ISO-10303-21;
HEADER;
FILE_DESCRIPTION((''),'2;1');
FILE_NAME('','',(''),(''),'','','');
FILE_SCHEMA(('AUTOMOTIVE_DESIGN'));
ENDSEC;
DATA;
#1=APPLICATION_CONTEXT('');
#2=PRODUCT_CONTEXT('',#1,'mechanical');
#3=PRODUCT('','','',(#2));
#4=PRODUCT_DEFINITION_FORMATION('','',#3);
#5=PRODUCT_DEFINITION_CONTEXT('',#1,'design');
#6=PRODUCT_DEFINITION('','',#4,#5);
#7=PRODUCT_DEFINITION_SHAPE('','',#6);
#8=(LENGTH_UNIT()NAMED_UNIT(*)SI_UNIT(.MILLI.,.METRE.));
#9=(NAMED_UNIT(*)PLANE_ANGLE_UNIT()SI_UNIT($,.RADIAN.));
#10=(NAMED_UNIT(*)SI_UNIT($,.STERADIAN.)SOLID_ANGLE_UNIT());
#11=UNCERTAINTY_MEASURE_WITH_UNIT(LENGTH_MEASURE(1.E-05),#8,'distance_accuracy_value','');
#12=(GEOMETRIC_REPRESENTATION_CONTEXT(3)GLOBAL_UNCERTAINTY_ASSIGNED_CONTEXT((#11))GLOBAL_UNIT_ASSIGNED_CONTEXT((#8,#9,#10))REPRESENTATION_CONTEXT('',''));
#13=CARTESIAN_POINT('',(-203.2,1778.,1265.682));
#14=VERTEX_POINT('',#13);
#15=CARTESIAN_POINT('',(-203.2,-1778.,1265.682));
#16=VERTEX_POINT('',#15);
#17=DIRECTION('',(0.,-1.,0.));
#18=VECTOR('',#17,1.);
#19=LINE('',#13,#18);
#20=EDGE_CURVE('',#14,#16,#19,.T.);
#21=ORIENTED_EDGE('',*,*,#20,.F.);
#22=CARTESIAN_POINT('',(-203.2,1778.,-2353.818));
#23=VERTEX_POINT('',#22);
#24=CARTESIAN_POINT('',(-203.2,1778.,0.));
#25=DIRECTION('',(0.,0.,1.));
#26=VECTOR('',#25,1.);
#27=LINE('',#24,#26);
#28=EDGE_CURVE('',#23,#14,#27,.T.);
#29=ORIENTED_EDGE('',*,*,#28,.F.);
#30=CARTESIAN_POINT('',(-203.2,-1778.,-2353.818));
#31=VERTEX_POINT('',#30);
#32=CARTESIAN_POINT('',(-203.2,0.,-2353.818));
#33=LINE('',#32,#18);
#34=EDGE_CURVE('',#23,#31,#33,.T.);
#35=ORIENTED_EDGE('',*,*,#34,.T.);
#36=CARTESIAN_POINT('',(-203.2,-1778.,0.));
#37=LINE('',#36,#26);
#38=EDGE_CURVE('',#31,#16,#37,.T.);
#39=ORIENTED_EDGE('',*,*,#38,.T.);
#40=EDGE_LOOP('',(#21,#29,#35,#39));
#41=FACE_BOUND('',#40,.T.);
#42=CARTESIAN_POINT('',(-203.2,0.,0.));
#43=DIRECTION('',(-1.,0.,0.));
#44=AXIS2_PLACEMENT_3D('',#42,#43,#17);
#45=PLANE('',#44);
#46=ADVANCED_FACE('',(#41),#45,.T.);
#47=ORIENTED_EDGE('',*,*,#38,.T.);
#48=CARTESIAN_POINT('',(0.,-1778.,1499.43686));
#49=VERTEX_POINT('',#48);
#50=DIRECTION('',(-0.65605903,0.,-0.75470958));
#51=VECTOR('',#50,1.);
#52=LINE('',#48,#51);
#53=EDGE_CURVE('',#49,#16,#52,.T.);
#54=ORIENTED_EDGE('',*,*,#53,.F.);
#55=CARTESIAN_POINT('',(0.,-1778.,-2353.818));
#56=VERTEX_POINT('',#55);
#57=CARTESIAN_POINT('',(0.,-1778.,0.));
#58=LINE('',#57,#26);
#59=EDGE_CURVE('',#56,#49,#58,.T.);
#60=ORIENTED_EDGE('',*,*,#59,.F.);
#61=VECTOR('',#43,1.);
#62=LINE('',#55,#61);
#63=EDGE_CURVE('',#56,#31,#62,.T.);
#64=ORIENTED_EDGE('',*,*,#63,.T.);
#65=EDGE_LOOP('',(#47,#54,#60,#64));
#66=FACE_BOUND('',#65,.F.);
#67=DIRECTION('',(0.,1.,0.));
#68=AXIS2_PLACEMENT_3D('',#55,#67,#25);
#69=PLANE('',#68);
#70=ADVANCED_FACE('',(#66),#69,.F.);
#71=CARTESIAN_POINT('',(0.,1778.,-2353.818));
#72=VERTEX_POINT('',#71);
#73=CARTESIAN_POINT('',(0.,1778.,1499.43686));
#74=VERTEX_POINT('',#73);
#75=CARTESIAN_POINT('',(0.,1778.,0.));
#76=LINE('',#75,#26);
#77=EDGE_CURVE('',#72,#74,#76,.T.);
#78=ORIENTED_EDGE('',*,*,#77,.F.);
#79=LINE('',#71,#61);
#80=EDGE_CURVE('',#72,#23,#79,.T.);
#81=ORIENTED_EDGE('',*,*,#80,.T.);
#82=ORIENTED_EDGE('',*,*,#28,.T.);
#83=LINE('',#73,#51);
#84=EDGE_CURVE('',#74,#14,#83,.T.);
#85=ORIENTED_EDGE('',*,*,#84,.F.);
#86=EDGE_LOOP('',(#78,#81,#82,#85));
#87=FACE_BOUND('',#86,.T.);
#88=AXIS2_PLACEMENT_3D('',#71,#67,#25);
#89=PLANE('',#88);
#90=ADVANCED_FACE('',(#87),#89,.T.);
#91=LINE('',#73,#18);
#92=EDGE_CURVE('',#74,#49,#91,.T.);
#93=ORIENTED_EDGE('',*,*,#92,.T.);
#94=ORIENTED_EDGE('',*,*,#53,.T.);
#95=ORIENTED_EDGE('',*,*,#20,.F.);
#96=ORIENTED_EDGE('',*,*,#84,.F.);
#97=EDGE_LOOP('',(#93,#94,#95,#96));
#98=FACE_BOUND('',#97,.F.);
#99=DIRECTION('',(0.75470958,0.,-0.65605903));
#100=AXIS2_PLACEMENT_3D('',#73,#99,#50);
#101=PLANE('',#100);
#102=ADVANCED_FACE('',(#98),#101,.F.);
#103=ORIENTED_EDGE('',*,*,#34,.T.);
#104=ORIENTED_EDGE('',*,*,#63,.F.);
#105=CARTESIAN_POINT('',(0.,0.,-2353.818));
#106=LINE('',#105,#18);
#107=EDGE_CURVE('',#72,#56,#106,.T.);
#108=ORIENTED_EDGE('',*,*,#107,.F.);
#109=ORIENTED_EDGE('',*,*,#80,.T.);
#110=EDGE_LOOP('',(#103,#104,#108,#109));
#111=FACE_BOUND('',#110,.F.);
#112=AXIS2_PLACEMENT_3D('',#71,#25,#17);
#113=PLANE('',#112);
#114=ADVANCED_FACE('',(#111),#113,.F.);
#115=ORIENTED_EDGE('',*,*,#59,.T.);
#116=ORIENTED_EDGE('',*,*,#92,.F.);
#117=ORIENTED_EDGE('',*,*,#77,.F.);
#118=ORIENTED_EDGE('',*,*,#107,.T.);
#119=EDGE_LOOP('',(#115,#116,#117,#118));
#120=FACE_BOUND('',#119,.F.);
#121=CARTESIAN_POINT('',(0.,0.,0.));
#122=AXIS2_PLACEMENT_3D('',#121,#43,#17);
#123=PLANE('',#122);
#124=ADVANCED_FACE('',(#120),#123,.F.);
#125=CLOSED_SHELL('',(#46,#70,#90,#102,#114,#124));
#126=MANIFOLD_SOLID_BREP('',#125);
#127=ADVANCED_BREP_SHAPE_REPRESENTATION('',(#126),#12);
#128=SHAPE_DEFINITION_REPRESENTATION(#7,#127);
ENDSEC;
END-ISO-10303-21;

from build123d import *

# Parameters (mm, degrees)
F0_W     = 3556
F0_H     = 4707.636
F1_DEPTH = 203.2
F3_DEPTH = 3556
F5_ANGLE = 180


with BuildPart() as f1:
    # F0 (on Right) → F1 (new body)
    with BuildSketch(Plane.YZ):
        Rectangle(F0_W, F0_H)
    extrude(amount=F1_DEPTH)

    # F2 (on face) → F3 (cut)
    with BuildSketch(Plane.XZ.offset(1778)):
        Polygon((0, 1499.43686), (203.2, 1265.682), (203.2, 2353.818), (0, 2353.818), align=None)
    extrude(amount=-F3_DEPTH, mode=Mode.SUBTRACT)


with BuildPart() as f1_1:
    # F5: moved
    add(f1.part.rotate(Axis((0, 0, -714.977086), (0, 0, -1)), F5_ANGLE))


solid = f1_1.part
